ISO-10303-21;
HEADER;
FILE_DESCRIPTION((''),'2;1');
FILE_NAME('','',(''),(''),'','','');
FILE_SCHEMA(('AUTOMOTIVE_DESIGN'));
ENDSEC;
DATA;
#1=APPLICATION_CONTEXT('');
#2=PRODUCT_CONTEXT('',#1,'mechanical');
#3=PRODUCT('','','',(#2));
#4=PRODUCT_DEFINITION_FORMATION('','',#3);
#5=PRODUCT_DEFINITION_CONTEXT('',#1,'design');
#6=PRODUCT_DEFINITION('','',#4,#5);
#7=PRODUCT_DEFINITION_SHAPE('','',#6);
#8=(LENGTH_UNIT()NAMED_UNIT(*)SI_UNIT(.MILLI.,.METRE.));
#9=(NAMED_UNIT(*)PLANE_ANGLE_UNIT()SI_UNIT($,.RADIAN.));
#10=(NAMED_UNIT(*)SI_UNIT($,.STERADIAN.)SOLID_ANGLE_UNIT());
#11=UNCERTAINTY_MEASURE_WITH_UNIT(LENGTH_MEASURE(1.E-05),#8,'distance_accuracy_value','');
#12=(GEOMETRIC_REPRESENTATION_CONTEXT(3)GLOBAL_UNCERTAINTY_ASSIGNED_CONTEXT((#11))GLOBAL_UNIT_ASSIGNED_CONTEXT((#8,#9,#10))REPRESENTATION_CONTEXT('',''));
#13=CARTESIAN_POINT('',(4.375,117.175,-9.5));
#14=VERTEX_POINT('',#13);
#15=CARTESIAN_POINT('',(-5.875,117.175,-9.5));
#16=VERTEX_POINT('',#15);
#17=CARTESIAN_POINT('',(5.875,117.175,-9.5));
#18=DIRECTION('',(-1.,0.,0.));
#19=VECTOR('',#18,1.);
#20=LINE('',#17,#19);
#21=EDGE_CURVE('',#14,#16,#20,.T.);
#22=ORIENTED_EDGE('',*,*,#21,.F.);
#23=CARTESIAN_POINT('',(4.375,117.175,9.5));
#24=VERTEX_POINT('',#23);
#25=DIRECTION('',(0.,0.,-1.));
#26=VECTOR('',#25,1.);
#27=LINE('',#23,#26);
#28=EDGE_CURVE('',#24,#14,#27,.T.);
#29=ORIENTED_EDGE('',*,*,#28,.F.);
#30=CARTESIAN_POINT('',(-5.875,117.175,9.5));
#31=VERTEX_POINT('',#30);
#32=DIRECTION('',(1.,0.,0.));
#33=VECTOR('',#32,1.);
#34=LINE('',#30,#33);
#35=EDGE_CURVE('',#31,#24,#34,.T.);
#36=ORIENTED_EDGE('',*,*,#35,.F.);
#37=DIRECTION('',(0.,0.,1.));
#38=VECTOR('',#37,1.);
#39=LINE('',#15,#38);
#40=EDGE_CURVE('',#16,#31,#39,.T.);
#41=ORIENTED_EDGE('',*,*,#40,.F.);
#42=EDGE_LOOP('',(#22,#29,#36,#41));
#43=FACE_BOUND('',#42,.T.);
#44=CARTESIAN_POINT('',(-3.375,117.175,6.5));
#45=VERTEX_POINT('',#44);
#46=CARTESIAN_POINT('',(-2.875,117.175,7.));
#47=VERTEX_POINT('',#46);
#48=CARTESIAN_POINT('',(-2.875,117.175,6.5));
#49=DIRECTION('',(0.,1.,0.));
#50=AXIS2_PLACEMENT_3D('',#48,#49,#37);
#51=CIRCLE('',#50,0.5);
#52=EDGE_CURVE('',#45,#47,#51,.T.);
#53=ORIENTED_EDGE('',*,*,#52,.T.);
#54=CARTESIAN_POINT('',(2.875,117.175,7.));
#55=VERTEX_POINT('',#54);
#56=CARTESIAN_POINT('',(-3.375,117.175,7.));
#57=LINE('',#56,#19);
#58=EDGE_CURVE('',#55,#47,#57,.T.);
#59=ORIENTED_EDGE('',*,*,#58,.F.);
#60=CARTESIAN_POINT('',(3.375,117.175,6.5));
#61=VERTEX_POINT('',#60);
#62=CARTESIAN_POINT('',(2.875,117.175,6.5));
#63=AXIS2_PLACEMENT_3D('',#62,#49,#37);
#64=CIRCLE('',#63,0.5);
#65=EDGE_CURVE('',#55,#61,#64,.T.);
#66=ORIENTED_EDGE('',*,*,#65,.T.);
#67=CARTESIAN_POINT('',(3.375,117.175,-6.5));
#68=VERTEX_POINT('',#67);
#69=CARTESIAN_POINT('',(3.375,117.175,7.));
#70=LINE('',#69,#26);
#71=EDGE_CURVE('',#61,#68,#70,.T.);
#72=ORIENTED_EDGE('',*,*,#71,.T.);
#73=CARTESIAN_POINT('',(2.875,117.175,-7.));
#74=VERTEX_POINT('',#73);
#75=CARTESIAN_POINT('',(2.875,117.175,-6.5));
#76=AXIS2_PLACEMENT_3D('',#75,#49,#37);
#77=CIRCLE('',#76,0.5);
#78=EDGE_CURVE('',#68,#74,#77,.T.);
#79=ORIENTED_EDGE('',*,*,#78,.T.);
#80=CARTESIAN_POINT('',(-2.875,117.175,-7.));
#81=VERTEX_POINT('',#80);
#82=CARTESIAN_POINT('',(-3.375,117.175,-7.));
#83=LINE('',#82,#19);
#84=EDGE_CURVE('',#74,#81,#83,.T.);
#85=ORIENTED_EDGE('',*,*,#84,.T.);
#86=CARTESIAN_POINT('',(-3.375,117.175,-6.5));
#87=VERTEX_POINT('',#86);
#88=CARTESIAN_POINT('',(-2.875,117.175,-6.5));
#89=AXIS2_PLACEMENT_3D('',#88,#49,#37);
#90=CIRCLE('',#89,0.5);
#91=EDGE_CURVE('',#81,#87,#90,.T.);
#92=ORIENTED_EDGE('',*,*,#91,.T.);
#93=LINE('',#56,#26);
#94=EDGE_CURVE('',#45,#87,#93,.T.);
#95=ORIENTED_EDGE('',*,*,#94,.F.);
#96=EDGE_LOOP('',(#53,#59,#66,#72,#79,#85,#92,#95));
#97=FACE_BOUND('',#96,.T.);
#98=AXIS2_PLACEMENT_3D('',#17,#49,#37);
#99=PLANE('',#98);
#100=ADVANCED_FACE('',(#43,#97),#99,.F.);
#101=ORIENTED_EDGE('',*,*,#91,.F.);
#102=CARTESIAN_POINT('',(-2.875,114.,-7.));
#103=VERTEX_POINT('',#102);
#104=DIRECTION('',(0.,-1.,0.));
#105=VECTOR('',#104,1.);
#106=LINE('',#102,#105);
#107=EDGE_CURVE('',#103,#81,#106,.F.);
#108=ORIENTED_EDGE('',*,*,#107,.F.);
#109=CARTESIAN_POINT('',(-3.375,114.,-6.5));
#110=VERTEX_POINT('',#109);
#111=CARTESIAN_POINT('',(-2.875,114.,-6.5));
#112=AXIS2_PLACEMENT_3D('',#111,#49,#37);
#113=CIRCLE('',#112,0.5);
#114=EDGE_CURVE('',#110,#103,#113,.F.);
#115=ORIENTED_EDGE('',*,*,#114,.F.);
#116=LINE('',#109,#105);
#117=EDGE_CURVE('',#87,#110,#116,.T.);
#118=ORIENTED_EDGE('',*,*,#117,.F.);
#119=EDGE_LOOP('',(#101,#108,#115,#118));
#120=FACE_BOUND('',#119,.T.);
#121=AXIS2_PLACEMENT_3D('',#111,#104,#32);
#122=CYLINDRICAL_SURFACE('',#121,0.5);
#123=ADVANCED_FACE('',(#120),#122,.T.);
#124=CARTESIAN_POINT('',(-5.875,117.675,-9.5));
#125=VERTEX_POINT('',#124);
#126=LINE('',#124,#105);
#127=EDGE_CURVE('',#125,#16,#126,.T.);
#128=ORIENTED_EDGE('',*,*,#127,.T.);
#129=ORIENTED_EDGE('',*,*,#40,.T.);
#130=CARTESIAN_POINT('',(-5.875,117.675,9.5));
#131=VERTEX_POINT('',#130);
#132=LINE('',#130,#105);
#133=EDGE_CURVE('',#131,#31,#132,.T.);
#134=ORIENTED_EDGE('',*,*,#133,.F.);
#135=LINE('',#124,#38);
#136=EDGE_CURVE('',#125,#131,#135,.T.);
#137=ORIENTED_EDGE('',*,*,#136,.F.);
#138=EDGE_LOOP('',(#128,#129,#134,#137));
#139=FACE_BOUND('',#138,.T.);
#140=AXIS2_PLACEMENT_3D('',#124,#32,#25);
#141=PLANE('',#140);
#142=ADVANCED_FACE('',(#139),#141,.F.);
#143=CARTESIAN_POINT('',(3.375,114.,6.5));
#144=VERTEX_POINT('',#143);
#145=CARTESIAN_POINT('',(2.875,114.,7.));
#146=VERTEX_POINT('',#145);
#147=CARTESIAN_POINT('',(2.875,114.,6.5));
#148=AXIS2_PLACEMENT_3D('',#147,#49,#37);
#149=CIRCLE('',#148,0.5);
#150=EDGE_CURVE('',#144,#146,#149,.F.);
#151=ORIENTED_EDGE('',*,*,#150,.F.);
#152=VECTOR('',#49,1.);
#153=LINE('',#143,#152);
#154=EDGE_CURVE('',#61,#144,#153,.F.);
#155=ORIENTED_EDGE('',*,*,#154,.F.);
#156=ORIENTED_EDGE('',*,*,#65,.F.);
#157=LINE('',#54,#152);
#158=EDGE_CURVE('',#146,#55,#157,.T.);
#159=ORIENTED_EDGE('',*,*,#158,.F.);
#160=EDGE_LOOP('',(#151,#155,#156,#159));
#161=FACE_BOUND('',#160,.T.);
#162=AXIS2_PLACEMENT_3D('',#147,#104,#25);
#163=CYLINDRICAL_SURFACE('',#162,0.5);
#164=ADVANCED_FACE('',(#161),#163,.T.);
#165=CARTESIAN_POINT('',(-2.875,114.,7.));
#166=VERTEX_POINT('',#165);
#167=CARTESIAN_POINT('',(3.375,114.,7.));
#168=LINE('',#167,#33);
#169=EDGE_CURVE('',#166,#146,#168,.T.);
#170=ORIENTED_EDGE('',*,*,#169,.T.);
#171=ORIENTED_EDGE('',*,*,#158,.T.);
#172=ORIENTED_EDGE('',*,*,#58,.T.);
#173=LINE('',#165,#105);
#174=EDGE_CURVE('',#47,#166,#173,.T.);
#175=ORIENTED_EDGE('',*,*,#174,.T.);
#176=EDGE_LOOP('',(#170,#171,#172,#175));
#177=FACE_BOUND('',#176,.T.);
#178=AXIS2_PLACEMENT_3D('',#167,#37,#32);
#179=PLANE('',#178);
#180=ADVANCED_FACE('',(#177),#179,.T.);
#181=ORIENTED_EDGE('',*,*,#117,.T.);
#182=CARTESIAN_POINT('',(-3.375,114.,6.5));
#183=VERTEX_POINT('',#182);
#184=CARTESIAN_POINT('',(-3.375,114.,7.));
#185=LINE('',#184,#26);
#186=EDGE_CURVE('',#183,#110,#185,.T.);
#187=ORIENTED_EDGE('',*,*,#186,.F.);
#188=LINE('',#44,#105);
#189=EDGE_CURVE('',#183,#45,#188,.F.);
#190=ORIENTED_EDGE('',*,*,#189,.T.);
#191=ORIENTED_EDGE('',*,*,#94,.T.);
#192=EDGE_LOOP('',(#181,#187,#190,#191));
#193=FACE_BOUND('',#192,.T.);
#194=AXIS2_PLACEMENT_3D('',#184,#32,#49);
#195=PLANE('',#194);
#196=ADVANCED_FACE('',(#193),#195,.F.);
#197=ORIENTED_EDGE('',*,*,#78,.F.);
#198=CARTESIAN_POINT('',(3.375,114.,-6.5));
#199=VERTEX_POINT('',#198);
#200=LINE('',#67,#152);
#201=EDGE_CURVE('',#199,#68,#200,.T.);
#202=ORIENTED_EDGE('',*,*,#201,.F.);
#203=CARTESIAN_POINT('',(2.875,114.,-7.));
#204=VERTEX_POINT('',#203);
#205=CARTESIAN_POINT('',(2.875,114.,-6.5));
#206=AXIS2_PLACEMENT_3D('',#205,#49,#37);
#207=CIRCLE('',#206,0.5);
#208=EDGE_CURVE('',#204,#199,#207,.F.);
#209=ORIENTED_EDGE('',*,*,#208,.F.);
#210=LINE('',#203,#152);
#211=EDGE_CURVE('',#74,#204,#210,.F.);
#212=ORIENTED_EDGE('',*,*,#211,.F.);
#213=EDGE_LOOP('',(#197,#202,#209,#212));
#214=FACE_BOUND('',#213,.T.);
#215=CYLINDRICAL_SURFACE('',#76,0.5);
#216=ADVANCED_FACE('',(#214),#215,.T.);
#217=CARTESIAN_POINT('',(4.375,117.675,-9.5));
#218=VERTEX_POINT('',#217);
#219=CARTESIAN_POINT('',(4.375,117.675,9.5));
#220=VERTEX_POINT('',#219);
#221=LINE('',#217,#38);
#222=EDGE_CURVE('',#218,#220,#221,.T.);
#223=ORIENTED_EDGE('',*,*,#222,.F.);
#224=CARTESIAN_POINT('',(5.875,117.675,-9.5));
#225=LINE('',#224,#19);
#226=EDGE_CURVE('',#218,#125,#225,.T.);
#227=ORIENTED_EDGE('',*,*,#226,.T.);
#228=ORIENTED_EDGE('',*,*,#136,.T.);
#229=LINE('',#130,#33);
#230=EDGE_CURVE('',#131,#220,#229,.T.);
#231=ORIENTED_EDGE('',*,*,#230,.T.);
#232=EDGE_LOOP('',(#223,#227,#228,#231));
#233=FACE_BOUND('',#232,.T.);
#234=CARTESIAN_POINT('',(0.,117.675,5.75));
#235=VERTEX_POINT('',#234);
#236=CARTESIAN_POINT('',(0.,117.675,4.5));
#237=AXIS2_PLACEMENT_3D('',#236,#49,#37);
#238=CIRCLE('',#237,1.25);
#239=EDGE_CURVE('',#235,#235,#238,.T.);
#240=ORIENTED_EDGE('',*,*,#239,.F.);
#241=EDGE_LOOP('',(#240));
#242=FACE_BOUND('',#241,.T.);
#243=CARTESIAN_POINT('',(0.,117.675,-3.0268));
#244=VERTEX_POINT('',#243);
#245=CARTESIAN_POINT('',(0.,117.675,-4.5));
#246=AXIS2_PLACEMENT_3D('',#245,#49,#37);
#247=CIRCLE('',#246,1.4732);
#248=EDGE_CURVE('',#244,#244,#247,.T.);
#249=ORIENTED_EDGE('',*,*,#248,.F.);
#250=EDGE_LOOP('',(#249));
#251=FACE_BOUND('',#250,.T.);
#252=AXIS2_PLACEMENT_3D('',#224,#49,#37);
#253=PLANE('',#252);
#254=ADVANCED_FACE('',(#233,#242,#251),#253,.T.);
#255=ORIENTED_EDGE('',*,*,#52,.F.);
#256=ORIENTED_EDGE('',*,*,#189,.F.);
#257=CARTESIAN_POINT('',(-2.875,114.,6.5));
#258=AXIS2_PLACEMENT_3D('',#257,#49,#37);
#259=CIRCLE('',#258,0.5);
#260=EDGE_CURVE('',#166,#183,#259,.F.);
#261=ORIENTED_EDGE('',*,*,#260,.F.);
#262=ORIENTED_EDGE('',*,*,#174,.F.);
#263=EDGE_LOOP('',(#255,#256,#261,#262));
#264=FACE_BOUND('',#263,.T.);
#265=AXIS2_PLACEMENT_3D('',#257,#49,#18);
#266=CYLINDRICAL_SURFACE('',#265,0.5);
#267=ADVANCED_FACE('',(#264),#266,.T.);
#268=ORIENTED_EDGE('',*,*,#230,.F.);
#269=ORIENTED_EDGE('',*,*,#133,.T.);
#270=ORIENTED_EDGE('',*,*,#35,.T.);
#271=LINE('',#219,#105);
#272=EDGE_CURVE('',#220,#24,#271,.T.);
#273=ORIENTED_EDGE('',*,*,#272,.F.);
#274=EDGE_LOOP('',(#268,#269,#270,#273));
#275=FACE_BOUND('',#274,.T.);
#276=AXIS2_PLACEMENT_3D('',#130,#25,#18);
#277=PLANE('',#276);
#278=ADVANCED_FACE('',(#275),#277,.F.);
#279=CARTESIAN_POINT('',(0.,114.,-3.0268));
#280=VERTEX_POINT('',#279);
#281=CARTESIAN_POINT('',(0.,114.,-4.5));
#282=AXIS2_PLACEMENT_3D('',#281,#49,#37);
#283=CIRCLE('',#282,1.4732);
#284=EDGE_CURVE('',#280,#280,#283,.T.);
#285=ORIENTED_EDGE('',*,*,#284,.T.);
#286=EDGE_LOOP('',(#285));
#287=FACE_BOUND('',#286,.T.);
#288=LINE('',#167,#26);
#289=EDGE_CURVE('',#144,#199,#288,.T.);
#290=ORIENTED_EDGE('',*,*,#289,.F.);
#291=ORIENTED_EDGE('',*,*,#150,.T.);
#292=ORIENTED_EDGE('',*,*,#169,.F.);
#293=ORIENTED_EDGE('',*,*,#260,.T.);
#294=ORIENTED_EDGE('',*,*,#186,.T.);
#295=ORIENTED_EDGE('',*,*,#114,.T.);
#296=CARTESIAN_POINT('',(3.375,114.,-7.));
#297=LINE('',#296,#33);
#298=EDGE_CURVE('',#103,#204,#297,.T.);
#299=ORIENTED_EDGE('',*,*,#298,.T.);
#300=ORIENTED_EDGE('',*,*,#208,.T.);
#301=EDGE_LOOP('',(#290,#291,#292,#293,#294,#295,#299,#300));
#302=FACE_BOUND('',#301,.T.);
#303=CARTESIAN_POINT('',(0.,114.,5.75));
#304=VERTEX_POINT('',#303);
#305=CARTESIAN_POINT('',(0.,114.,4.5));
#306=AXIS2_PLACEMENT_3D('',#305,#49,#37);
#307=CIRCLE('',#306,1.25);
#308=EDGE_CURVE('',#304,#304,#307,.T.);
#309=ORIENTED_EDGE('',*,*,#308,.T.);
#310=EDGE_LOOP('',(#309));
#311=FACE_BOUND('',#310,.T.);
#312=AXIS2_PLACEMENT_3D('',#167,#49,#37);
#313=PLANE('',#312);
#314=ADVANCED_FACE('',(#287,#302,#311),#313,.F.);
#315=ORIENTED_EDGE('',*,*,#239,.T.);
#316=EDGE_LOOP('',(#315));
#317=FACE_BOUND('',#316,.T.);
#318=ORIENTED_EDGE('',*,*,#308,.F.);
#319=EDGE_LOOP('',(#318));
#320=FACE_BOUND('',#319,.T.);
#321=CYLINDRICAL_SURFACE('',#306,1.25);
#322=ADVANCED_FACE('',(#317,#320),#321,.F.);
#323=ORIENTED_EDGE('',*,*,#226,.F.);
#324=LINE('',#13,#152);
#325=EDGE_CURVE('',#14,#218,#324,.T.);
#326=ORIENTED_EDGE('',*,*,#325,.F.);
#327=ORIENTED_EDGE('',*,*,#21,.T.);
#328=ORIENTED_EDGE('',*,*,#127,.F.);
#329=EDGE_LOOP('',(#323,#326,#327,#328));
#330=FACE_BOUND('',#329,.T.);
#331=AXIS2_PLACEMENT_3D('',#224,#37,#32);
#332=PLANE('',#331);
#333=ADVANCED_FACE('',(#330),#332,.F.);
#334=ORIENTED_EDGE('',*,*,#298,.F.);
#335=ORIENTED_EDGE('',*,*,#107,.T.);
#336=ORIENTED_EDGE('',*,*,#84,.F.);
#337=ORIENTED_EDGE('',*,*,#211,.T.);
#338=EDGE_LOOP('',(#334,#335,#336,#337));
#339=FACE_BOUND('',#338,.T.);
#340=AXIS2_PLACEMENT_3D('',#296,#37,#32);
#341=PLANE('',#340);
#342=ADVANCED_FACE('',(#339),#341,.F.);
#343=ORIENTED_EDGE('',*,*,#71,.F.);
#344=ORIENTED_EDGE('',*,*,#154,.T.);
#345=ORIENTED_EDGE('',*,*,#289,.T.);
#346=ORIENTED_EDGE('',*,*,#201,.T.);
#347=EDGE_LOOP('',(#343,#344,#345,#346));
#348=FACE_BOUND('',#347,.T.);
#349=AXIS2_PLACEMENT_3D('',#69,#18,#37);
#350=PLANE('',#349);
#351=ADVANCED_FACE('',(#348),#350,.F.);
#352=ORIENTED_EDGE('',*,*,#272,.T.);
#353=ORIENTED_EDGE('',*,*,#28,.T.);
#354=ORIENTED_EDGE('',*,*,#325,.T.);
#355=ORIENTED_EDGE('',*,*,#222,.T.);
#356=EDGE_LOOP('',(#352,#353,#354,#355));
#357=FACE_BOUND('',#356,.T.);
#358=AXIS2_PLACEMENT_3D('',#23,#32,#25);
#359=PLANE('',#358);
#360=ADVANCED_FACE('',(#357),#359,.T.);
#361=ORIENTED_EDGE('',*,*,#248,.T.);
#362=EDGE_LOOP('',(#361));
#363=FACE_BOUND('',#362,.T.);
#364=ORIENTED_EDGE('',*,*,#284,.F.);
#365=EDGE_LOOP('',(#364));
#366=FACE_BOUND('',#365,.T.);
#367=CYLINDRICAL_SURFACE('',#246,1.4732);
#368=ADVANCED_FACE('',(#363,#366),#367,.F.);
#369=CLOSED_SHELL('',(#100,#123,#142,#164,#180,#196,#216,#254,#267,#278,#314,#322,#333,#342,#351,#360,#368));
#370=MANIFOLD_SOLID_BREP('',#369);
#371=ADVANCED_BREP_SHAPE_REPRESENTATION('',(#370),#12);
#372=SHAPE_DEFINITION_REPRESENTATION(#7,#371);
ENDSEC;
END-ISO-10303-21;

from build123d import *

# Parameters (mm, degrees)
SKETCH1_W             = 6.75
SKETCH1_H             = 3.175
EXTRUDE1_DEPTH        = 7
SKETCH6_W             = 11.75
SKETCH6_H             = 19
EXTRUDE2_DEPTH        = 0.5
F_4_CLEARANCE_HOLE1_D = 2.9464
SKETCH3_R             = 1.25
CUT_EXTRUDE1_DEPTH    = 4.675
FILLET1_R             = 0.5
SKETCH16_W            = 19
SKETCH16_H            = 0.5
CUT_EXTRUDE7_DEPTH    = 1.5


with BuildPart() as part:
    # Sketch1 → Extrude1 (new body, symmetric)
    with BuildSketch(Plane.XY):
        with Locations((0, 115.5875)):
            Rectangle(SKETCH1_W, SKETCH1_H)
    extrude(amount=EXTRUDE1_DEPTH, both=True)

    # Sketch6 → Extrude2 (add)
    with BuildSketch(Plane(origin=(0, 117.175, 0), x_dir=(1, 0, 0), z_dir=(0, 1, 0))):
        Rectangle(SKETCH6_W, SKETCH6_H)
    extrude(amount=EXTRUDE2_DEPTH)

    # 4 Clearance Hole1 (through all)
    with Locations(Plane(origin=(-0.355703292, 117.675, 3.885176073), x_dir=(-1, 0, 0), z_dir=(0, 1, 0))):
        with Locations((-0.355703292, -8.385176073)):
            Hole(F_4_CLEARANCE_HOLE1_D / 2)

    # Sketch3 → Cut-Extrude1 (cut, through all)
    with BuildSketch(Plane(origin=(0, 117.675, 0), x_dir=(1, 0, 0), z_dir=(0, 1, 0))):
        with Locations(Location((0, -4.5, 0), (0, 0, 270))):  # turned: the seam where the file's is
            Circle(SKETCH3_R)
    extrude(amount=-CUT_EXTRUDE1_DEPTH, mode=Mode.SUBTRACT)

    # Fillet1
    fillet1_edges = [part.edges().sort_by_distance(p)[0] for p in [
        (-3.375, 115.5875, 7),
        (-3.375, 115.5875, -7),
        (3.375, 115.5875, -7),
        (3.375, 115.5875, 7),
    ]]
    fillet(fillet1_edges, radius=FILLET1_R)

    # Sketch16 → Cut-Extrude7 (cut)
    with BuildSketch(Plane(origin=(5.875, 0, 0), x_dir=(0, 0, -1), z_dir=(1, 0, 0))):
        with Locations((0, 117.425)):
            Rectangle(SKETCH16_W, SKETCH16_H)
    extrude(amount=-CUT_EXTRUDE7_DEPTH, mode=Mode.SUBTRACT)


solid = part.part
